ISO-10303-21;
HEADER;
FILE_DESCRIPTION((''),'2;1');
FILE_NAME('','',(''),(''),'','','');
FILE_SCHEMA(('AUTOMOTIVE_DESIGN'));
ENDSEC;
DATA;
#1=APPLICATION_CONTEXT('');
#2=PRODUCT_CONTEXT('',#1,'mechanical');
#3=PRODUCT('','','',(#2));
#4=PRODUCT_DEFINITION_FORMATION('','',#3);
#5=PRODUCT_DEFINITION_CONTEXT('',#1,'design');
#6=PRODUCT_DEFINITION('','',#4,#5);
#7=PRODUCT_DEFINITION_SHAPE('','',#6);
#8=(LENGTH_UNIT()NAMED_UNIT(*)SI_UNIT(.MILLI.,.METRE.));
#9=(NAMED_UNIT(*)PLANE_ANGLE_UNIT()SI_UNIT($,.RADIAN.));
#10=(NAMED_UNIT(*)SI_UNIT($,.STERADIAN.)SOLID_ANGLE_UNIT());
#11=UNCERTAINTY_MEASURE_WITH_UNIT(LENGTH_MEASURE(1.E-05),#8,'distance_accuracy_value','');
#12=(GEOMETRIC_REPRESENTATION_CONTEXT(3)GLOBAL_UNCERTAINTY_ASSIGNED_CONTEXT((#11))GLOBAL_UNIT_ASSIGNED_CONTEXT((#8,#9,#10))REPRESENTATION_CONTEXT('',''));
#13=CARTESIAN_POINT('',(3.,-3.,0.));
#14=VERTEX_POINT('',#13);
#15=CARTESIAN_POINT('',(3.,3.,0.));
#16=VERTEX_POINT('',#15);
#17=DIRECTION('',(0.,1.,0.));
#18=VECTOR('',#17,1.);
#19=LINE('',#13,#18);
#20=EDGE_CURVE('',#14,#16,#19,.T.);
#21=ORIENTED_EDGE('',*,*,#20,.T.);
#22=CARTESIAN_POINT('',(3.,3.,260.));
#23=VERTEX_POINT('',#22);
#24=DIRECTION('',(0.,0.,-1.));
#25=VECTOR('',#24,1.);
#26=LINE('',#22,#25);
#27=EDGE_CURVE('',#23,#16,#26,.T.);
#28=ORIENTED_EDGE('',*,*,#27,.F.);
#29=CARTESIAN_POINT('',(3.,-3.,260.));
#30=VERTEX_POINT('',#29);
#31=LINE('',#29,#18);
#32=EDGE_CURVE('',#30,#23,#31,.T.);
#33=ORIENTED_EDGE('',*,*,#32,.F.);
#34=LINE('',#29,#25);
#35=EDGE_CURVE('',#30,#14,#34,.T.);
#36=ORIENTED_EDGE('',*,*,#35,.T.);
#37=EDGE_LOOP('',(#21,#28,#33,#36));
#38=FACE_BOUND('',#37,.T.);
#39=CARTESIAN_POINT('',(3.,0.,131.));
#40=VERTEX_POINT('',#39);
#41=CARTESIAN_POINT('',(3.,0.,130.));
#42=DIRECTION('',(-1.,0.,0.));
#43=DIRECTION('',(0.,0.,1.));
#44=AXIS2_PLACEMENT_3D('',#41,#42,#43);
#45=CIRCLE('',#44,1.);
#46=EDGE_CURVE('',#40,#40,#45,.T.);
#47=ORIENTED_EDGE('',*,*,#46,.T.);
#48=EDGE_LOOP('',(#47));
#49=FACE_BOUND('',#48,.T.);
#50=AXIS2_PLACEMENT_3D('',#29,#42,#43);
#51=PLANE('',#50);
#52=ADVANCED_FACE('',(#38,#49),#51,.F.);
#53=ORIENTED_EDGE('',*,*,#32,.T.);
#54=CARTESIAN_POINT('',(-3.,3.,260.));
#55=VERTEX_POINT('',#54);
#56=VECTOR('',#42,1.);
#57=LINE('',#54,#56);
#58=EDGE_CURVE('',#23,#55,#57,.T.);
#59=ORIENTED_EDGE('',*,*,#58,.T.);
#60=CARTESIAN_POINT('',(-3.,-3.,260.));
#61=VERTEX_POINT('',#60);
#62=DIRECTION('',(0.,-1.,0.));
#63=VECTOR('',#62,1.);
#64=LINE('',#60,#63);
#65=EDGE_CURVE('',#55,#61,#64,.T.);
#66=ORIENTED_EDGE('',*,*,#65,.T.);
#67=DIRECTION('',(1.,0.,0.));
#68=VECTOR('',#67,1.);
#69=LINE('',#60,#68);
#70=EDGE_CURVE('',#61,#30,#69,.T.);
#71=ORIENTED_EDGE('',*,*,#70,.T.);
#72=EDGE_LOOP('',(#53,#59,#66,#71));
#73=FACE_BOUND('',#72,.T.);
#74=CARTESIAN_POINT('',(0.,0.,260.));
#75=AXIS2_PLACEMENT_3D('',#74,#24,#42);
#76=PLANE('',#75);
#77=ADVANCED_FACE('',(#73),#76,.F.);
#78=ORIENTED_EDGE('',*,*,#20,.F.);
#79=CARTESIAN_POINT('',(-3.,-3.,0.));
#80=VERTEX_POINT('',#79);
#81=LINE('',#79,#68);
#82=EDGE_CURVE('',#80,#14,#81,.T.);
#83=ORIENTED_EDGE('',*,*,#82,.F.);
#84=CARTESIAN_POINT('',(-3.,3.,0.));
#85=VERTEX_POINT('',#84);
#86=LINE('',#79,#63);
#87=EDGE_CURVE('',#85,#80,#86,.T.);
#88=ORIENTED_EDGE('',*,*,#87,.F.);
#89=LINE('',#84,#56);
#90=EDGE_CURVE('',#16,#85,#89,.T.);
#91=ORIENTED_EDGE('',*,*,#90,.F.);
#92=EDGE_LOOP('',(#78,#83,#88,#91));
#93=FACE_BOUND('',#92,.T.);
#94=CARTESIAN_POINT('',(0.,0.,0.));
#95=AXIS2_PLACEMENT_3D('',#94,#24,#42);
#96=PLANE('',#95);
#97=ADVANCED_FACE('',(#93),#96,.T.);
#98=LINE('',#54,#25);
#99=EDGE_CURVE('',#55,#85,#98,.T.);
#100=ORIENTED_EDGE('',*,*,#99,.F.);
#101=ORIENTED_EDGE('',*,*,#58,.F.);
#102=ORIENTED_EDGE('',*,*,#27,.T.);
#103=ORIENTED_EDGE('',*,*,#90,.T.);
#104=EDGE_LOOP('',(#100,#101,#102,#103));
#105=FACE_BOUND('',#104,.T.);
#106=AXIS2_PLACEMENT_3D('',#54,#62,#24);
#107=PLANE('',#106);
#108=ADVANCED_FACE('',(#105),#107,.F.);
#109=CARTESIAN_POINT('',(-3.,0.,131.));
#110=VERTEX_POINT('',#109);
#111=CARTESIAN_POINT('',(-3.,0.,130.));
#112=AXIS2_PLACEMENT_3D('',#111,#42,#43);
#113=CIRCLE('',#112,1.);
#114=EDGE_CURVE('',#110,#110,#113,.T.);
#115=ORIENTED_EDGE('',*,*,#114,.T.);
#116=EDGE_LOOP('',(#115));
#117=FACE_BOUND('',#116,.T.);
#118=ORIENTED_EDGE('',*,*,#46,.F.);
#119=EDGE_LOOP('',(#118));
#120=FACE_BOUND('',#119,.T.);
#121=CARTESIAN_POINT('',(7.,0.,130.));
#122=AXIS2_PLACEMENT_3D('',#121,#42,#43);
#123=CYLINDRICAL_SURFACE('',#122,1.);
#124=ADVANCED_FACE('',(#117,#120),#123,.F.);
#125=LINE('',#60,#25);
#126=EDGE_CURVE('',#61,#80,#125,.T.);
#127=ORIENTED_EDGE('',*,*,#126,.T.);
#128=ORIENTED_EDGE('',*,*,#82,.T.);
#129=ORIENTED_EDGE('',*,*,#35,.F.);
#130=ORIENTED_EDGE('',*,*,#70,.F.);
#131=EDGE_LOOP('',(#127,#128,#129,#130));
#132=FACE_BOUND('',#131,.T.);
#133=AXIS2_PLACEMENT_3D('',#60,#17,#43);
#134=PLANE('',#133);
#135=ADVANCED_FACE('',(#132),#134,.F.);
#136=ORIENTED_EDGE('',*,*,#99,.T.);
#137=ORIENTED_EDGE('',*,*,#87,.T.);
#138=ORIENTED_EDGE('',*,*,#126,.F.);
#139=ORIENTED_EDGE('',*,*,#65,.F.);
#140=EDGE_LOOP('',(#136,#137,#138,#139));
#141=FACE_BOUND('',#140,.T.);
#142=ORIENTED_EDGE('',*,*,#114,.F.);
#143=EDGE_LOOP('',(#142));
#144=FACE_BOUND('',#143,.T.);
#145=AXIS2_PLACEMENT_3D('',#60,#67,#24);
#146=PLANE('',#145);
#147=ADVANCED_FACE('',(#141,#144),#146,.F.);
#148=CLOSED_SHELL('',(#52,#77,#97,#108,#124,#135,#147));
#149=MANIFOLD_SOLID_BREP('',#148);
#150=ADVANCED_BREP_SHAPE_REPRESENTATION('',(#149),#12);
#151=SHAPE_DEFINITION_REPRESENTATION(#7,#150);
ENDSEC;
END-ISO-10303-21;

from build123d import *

# Parameters (mm, degrees)
ESBO_O1_W                = 6
ESBO_O1_H                = 6
RESSALTO_EXTRUS_O1_DEPTH = 260
ESBO_O2_R                = 1
CORTE_EXTRUS_O1_DEPTH    = 10


with BuildPart() as part:
    # Esboço1 → Ressalto-extrusão1 (new body)
    with BuildSketch(Plane.XY):
        Rectangle(ESBO_O1_W, ESBO_O1_H)
    extrude(amount=RESSALTO_EXTRUS_O1_DEPTH)

    # Esboço2 → Corte-extrusão1 (cut)
    with BuildSketch(Plane.ZY.offset(3)):
        with Locations((130, 0)):
            Circle(ESBO_O2_R)
    extrude(amount=-CORTE_EXTRUS_O1_DEPTH, mode=Mode.SUBTRACT)


solid = part.part
